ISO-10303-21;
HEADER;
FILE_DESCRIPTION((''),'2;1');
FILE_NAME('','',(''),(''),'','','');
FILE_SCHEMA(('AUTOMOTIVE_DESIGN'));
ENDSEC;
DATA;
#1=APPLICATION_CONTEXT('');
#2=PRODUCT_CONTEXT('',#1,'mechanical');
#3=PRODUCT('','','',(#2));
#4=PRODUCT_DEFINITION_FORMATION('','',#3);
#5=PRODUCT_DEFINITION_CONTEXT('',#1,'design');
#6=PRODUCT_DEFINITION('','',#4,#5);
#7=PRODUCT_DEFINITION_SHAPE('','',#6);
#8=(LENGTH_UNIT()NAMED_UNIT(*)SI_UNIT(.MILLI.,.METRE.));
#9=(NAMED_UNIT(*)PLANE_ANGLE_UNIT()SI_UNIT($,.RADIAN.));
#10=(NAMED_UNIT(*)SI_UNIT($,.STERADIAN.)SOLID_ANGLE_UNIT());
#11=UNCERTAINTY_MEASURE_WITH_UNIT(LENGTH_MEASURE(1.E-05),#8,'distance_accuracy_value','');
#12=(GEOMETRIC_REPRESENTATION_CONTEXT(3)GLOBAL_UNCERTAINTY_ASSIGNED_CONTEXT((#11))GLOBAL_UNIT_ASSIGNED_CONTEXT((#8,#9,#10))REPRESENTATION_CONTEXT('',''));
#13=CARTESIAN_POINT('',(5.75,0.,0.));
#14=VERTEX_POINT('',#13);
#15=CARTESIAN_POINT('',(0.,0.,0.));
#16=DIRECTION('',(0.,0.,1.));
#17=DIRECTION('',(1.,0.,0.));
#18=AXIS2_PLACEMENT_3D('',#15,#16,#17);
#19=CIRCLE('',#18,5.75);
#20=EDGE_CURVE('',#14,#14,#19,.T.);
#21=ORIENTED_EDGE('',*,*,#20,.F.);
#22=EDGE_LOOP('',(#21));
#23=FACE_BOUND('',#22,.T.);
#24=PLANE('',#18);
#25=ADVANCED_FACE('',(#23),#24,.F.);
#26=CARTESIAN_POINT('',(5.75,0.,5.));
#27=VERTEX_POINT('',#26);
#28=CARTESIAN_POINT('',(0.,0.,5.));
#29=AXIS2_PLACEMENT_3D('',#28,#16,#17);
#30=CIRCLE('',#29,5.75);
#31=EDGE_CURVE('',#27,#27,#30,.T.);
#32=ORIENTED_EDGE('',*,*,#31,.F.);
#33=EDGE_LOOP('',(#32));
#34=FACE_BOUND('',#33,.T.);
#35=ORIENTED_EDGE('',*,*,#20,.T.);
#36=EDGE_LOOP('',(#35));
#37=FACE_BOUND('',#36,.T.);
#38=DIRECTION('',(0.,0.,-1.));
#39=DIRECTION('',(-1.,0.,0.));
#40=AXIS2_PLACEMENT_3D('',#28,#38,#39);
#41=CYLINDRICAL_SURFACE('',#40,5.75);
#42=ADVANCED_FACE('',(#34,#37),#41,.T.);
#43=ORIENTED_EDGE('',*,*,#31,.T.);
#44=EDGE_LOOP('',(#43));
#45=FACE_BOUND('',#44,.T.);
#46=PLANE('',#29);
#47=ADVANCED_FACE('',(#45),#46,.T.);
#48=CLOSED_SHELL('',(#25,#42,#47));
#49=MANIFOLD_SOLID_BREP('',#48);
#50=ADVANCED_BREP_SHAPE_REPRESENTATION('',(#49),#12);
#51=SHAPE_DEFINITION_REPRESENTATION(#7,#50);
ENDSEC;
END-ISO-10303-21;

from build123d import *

# Parameters (mm, degrees)
SKETCH_1_R      = 5.75
EXTRUDE_1_DEPTH = 5


with BuildPart() as part:
    # 草圖1 → 填料-伸長1 (new body)
    with BuildSketch(Plane.XY):
        Circle(SKETCH_1_R)
    extrude(amount=EXTRUDE_1_DEPTH)


solid = part.part
